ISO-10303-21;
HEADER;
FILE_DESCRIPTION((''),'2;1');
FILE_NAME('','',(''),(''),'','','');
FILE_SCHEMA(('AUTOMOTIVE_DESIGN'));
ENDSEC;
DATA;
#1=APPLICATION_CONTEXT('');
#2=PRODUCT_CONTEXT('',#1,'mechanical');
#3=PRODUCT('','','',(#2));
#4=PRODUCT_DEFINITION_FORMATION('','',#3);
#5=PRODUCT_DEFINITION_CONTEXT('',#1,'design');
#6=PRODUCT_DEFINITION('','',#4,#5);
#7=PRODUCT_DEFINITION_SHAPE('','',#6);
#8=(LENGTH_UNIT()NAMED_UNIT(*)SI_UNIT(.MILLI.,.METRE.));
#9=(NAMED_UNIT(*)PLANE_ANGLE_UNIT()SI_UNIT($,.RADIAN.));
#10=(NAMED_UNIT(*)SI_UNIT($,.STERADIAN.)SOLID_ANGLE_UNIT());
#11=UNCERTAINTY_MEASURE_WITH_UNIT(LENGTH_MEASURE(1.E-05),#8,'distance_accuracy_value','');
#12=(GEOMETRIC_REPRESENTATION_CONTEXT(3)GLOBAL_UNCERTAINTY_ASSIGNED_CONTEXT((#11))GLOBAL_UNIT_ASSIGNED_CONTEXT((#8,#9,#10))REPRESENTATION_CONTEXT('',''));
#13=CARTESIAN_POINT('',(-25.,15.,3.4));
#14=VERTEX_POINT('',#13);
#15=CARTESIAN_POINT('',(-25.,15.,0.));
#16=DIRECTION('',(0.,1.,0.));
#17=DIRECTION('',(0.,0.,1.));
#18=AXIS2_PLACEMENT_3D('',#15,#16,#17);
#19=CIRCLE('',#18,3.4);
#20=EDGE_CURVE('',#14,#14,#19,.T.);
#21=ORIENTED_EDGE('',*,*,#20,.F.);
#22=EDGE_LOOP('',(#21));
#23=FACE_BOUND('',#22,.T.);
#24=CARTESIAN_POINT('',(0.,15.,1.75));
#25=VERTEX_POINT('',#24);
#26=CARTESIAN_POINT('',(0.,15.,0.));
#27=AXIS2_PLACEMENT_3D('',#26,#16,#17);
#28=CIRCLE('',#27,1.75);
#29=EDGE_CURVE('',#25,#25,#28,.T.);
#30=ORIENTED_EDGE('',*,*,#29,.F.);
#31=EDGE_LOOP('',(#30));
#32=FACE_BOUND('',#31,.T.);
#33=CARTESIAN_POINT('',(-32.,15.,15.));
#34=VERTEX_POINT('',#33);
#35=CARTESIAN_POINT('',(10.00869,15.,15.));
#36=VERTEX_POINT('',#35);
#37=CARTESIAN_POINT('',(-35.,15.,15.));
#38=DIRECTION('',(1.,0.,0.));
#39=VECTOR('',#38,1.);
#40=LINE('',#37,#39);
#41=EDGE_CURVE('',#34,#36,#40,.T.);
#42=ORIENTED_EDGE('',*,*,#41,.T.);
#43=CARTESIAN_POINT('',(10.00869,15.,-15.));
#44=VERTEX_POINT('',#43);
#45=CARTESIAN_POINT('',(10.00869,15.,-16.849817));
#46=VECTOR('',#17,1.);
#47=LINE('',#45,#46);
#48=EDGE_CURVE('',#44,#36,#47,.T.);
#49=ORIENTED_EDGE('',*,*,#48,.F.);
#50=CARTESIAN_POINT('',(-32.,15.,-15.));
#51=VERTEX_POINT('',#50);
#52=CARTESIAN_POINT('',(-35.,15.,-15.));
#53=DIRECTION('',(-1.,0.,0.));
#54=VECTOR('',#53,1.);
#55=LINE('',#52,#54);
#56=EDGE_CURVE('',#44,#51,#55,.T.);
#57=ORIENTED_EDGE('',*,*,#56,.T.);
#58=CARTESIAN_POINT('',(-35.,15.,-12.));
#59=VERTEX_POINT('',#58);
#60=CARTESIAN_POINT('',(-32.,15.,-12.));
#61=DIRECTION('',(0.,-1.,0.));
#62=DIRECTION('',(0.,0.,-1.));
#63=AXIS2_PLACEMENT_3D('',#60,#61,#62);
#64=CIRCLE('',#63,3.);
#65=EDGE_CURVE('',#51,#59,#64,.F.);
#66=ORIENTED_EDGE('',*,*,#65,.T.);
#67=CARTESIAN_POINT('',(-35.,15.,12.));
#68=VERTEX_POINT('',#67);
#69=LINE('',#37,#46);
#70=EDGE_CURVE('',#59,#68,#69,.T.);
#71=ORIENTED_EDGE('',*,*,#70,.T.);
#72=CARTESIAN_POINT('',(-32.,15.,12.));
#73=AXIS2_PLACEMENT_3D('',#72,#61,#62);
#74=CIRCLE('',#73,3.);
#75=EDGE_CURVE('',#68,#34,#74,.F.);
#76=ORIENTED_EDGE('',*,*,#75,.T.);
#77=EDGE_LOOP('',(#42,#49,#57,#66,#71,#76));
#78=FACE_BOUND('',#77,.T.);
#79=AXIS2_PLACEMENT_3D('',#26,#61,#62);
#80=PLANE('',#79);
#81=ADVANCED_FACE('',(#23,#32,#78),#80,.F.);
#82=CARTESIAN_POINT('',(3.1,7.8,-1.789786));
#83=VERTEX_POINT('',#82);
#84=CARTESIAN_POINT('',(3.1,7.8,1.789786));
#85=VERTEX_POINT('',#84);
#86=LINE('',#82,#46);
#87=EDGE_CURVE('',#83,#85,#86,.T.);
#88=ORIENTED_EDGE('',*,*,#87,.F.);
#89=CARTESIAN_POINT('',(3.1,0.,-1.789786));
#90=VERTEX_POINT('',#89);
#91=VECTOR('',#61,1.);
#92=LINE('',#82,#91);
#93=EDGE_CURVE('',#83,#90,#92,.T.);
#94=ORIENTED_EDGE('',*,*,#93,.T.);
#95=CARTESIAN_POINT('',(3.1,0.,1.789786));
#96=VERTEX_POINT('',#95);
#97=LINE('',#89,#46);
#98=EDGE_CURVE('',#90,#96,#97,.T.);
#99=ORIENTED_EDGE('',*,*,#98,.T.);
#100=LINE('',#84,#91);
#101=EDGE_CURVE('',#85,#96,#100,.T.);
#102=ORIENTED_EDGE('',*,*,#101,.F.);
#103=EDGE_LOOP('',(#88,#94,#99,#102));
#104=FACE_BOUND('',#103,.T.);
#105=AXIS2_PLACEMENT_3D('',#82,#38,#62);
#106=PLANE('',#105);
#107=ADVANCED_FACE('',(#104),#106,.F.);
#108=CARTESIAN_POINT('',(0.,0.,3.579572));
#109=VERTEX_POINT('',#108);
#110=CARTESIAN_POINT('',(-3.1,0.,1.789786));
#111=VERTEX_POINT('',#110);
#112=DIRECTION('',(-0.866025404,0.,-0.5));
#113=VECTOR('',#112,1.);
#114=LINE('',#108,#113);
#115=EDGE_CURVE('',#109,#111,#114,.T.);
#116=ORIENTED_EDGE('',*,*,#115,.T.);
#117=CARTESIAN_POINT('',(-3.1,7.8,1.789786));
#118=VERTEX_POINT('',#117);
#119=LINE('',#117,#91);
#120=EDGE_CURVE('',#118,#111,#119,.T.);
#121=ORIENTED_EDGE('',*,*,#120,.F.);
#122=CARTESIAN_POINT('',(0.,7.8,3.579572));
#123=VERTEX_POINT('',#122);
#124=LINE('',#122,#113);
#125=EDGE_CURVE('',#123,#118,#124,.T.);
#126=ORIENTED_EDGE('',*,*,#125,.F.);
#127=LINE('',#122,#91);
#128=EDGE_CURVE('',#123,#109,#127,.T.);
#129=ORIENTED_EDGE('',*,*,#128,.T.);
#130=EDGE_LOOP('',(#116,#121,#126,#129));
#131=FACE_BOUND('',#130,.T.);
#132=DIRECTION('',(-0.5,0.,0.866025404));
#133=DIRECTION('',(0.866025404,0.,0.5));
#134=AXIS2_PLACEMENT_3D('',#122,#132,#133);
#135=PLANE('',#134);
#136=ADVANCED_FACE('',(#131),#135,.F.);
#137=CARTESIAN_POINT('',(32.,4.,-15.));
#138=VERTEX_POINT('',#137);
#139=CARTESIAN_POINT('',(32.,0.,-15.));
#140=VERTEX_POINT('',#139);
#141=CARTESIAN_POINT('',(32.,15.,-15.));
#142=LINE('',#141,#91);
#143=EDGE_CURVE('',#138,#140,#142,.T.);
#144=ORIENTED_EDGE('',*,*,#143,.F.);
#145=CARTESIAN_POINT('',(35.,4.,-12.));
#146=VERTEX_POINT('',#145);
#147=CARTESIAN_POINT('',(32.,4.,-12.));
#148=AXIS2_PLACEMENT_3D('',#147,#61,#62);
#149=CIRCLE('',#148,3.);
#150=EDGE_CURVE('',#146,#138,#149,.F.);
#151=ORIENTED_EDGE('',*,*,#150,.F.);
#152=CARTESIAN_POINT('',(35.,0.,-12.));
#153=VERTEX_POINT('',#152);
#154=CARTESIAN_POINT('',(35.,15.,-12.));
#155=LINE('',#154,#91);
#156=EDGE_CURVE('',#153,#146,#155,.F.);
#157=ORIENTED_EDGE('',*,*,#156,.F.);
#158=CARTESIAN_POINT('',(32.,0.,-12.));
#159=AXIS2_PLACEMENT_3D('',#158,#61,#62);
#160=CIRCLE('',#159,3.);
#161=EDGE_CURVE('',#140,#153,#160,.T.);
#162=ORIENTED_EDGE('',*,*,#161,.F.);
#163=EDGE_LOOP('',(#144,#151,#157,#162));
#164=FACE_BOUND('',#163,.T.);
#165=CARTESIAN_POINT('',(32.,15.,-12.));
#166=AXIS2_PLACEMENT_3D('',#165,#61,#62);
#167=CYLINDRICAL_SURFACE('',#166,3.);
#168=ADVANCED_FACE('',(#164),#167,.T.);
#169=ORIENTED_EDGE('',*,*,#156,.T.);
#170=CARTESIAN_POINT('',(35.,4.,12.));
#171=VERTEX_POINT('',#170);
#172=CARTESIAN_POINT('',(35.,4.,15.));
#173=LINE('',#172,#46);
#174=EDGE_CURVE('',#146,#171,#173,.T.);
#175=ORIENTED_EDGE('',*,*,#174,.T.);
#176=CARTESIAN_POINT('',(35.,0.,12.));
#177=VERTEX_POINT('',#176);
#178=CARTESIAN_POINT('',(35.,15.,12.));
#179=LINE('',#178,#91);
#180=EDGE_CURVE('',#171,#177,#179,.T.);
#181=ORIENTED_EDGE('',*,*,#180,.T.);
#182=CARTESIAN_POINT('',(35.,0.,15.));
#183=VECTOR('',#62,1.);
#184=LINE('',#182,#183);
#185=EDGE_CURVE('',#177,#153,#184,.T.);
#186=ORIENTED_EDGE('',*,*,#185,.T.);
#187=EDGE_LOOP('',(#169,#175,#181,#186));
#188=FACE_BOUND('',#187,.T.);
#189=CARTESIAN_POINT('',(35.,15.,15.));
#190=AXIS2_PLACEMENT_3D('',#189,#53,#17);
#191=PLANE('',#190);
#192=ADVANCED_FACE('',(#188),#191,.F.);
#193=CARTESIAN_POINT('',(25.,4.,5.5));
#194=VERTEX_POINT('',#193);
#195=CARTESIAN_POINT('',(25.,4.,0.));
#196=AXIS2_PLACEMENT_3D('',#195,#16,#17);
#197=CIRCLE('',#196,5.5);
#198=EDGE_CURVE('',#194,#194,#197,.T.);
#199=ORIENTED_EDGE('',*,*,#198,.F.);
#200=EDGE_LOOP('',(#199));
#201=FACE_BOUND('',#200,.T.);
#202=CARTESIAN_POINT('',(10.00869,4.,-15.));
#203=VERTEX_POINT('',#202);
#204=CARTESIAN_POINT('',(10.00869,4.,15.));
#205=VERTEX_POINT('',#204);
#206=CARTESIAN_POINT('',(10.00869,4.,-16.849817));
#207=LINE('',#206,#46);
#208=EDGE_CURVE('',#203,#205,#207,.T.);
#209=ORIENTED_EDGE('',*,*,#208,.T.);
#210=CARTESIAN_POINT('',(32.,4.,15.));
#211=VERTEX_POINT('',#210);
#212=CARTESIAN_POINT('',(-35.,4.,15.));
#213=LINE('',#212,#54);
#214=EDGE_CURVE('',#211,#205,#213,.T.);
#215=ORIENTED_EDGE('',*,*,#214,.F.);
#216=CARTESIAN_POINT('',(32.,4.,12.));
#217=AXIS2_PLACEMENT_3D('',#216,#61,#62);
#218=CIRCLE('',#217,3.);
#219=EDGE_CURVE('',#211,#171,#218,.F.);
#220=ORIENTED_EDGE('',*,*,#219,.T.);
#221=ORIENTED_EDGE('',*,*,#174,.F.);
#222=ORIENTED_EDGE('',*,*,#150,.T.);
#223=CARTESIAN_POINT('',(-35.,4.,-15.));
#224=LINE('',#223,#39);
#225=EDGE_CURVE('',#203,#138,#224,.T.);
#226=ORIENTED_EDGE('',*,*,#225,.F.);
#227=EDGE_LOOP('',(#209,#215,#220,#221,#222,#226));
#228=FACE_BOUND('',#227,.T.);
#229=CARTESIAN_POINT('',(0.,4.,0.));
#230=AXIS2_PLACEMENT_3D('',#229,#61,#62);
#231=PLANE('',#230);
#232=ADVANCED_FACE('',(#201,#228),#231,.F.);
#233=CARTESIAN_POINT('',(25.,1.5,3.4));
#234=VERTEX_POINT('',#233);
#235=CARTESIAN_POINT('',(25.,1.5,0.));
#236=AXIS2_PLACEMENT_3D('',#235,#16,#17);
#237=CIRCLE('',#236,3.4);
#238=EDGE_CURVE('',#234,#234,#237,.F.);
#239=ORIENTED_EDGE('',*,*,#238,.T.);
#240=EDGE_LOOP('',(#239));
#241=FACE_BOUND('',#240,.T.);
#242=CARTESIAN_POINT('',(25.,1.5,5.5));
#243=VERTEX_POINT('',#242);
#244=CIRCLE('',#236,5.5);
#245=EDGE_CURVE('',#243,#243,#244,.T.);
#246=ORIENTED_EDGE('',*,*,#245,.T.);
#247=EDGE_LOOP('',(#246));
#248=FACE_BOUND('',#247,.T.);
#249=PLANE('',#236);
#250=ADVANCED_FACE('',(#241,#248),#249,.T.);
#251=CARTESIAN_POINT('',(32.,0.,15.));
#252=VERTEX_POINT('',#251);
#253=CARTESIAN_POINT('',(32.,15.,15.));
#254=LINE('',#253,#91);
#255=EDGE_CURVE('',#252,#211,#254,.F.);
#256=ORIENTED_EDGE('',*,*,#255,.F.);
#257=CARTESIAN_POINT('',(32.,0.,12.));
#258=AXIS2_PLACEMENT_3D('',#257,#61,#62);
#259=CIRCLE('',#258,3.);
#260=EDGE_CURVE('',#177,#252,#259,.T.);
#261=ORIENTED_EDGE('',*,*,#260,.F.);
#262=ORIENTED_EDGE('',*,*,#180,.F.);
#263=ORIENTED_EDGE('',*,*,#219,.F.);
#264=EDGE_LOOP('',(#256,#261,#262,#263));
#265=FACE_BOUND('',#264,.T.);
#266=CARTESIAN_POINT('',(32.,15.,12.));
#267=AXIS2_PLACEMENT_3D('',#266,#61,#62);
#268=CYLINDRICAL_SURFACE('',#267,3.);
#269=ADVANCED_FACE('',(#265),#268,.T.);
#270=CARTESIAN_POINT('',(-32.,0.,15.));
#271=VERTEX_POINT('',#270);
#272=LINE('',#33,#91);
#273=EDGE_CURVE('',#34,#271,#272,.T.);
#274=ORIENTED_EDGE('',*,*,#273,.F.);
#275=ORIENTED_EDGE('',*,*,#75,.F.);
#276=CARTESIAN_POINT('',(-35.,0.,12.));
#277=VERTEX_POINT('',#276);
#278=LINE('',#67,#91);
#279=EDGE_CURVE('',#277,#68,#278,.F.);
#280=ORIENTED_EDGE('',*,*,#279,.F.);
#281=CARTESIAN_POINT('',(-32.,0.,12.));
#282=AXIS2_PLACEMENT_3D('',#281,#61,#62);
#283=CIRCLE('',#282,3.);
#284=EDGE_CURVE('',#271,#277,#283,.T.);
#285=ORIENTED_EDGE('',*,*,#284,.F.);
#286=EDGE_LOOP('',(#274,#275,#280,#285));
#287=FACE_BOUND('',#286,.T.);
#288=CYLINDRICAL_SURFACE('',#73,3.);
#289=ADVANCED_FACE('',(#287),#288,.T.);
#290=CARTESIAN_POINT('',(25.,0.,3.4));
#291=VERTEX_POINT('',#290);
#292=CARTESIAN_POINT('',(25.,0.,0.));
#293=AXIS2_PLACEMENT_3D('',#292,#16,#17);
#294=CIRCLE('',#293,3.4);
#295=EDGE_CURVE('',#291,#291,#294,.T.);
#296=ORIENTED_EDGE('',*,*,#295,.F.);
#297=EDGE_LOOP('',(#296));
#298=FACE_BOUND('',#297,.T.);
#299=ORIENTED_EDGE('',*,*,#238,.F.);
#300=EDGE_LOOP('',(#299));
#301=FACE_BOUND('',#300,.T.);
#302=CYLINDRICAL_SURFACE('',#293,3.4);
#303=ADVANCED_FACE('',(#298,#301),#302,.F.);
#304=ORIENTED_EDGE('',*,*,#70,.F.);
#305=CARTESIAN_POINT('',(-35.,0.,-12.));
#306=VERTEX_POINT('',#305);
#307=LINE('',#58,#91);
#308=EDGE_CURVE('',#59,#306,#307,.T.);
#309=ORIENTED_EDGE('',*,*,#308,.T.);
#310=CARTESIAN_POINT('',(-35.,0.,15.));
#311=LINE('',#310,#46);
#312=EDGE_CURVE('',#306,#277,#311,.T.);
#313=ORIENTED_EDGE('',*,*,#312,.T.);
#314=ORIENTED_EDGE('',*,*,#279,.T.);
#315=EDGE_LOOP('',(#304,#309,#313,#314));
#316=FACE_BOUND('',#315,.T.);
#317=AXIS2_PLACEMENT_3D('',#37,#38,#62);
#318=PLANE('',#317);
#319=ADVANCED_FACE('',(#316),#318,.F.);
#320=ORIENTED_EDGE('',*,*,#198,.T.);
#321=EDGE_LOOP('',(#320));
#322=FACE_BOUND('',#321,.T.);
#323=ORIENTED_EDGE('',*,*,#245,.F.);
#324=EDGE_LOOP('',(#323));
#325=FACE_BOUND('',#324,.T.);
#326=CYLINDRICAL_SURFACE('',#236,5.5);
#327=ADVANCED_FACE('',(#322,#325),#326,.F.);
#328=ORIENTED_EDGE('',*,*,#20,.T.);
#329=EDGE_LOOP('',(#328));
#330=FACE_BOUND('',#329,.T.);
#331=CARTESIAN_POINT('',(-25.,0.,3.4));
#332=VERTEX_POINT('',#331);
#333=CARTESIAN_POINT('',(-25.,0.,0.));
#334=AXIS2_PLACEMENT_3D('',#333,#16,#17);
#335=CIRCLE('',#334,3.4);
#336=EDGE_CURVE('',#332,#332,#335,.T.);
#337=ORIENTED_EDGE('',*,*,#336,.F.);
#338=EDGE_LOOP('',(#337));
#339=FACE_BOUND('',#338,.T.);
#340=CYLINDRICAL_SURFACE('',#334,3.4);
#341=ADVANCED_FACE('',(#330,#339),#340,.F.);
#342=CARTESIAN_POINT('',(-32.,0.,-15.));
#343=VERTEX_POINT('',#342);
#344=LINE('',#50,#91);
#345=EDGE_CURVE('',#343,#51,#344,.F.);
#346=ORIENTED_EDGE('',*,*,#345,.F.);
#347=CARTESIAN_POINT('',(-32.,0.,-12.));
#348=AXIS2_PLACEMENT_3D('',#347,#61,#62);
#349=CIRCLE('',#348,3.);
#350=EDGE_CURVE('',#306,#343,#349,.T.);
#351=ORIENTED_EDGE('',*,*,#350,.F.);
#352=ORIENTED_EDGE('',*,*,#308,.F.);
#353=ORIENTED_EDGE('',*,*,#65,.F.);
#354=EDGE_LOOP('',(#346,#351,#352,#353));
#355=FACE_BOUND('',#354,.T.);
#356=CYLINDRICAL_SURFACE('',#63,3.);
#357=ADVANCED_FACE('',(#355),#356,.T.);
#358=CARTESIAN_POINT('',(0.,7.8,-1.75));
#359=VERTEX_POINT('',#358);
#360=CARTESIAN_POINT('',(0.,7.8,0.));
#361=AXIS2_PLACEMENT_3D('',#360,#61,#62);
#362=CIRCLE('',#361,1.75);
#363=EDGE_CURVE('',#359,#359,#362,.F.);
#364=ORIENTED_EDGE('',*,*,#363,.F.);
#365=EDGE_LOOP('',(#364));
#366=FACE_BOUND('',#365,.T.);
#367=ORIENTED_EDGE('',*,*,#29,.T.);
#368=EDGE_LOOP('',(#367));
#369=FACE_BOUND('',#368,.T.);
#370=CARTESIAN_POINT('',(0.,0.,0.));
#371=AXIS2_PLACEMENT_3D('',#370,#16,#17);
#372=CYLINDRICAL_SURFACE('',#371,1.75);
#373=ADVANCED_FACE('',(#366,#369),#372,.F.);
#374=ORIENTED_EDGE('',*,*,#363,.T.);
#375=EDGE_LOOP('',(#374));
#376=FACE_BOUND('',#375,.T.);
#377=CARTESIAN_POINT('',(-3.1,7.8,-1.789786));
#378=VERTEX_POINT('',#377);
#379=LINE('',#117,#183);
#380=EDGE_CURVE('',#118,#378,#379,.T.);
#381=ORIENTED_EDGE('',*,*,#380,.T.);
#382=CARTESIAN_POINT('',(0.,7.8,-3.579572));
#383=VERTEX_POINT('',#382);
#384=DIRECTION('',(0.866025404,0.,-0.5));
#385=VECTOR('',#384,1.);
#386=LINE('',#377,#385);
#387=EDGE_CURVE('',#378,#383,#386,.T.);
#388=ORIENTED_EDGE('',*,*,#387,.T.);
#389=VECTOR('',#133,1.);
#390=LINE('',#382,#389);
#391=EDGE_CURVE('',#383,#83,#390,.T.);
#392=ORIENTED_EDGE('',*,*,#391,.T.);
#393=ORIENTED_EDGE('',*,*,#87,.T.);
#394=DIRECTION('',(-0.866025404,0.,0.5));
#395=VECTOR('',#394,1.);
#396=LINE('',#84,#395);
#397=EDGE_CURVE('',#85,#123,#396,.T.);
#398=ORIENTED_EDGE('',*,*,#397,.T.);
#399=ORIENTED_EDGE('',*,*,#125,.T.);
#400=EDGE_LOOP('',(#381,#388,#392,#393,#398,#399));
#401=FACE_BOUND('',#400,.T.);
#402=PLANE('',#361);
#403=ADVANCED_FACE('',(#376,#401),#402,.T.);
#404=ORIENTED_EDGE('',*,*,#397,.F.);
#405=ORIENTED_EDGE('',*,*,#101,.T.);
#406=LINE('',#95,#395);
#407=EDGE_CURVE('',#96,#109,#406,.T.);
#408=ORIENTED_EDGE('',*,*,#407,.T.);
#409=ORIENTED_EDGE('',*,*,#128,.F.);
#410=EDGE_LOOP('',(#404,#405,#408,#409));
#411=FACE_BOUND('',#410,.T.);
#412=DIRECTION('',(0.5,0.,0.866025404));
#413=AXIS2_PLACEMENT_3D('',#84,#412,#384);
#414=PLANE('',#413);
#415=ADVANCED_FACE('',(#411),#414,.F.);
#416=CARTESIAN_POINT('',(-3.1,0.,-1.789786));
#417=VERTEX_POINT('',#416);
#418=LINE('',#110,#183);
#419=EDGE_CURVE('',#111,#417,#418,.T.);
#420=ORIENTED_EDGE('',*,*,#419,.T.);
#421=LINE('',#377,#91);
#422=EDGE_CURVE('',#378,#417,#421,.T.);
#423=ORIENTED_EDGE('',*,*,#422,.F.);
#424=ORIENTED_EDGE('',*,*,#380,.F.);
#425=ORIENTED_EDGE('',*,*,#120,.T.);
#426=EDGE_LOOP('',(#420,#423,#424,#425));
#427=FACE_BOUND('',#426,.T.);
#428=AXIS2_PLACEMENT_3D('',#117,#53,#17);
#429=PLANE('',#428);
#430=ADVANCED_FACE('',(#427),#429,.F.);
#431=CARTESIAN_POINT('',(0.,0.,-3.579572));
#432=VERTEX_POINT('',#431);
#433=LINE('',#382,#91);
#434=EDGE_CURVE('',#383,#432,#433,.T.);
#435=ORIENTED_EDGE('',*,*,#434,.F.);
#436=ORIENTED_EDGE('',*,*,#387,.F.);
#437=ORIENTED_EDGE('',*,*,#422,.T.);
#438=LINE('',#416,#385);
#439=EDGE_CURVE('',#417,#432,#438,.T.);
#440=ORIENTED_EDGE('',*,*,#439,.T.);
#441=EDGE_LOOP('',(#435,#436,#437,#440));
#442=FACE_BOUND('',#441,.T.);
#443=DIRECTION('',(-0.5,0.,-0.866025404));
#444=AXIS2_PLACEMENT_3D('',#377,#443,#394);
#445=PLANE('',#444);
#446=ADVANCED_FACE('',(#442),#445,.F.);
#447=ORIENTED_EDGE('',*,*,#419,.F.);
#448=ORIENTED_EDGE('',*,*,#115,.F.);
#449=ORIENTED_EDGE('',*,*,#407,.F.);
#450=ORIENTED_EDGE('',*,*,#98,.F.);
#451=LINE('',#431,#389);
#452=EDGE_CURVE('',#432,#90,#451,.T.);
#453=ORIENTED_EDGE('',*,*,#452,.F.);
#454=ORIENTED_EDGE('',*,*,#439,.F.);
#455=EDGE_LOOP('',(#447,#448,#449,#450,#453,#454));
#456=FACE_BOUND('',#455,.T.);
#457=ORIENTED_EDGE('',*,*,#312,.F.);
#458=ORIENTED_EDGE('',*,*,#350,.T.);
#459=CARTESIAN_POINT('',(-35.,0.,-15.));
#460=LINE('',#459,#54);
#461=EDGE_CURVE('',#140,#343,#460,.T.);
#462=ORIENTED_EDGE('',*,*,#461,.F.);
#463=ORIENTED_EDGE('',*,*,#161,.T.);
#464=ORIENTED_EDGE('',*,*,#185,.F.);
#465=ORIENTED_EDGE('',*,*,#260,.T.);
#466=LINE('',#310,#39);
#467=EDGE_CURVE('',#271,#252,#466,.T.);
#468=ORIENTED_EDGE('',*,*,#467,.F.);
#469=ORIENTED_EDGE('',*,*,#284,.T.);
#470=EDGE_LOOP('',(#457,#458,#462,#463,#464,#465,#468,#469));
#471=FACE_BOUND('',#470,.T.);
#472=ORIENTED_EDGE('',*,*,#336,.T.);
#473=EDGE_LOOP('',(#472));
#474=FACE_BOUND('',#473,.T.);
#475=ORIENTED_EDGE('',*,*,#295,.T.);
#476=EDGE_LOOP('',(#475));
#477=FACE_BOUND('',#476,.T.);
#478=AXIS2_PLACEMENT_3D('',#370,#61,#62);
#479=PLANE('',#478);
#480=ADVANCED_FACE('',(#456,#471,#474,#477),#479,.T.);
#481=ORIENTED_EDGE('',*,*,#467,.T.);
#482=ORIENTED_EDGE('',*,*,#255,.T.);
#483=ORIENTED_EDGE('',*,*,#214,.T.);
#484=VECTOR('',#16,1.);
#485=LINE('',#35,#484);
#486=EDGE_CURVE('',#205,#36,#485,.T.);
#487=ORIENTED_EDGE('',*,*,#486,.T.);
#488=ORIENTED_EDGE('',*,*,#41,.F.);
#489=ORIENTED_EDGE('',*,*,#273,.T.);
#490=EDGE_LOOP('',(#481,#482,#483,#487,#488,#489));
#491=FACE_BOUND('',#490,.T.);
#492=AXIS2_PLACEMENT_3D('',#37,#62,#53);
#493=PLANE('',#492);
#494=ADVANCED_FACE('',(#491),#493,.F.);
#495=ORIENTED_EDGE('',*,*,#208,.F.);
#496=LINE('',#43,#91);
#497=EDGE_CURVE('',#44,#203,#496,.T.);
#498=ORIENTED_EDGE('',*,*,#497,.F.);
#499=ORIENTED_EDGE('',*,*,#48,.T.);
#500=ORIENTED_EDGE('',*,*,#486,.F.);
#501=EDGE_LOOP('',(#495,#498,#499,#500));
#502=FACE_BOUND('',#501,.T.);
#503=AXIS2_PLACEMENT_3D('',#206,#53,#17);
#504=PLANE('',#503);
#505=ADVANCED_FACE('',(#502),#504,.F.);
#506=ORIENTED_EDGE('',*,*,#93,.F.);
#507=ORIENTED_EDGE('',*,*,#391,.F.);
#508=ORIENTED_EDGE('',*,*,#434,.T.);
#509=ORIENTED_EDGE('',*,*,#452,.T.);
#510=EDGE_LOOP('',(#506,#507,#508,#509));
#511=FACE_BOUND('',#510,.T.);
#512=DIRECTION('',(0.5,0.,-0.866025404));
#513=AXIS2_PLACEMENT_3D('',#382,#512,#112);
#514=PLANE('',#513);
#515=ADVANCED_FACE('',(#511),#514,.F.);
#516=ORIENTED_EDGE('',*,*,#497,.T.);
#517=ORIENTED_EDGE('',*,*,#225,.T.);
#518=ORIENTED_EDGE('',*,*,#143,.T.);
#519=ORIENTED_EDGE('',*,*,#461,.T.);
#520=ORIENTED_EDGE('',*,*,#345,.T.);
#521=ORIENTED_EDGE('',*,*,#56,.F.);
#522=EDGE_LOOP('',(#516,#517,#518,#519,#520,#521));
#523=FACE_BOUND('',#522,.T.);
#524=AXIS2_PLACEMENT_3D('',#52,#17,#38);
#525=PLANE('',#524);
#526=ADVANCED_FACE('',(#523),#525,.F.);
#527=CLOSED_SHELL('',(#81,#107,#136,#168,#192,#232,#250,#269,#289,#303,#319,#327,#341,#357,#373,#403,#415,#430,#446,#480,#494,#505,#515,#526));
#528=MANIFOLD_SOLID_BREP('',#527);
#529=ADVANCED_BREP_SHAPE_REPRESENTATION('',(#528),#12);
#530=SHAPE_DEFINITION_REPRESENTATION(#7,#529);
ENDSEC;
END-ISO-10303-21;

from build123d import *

# Parameters (mm, degrees)
SKETCH_1_W          = 70
SKETCH_1_H          = 30
EXTRUDE_1_DEPTH     = 15
FILLET_1_R          = 3
SKETCH_5_R          = 1.75
SKETCH_5_R_2        = 3.4
CUT_EXTRUDE_1_DEPTH = 41.926763859
CUT_EXTRUDE_2_DEPTH = 7.8
SKETCH_7_W          = 30.080931192
SKETCH_7_H          = 35.934517801
CUT_EXTRUDE_4_DEPTH = 11
SKETCH_9_R          = 5.5
CUT_EXTRUDE_5_DEPTH = 2.5


with BuildPart() as part:
    # 草图1 → 凸台-拉伸1 (new body)
    with BuildSketch(Plane(origin=(0, 0, 0), x_dir=(1, 0, 0), z_dir=(0, 1, 0))):
        Rectangle(SKETCH_1_W, SKETCH_1_H)
    extrude(amount=EXTRUDE_1_DEPTH)

    # 圆角1
    fillet_1_edges = [part.edges().sort_by_distance(p)[0] for p in [
        (35, 7.5, 15),
        (-35, 7.5, 15),
        (-35, 7.5, -15),
        (35, 7.5, -15),
    ]]
    fillet(fillet_1_edges, radius=FILLET_1_R)

    # 草图5 → 切除-拉伸1 (cut, through all)
    with BuildSketch(Plane(origin=(0, 15, 0), x_dir=(1, 0, 0), z_dir=(0, 1, 0))):
        with Locations(Location((0, 0, 0), (0, 0, 270))):
            Circle(SKETCH_5_R)
        with Locations(Location((-25, 0, 0), (0, 0, 270))):
            Circle(SKETCH_5_R_2)
        with Locations(Location((25, 0, 0), (0, 0, 270))):
            Circle(SKETCH_5_R_2)
    extrude(amount=-CUT_EXTRUDE_1_DEPTH, mode=Mode.SUBTRACT)

    # 草图6 → 切除-拉伸2 (cut)
    with BuildSketch(Plane.XZ):
        Polygon((0, 3.579571669), (-3.1, 1.789785834), (-3.1, -1.789785834), (0, -3.579571669), (3.1, -1.789785834), (3.1, 1.789785834), align=None)
    extrude(amount=-CUT_EXTRUDE_2_DEPTH, mode=Mode.SUBTRACT)

    # 草图7 → 切除-拉伸4 (cut)
    with BuildSketch(Plane(origin=(0, 15, 0), x_dir=(1, 0, 0), z_dir=(0, 1, 0))):
        with Locations((25.049156013, -1.117442304)):
            Rectangle(SKETCH_7_W, SKETCH_7_H)
    extrude(amount=-CUT_EXTRUDE_4_DEPTH, mode=Mode.SUBTRACT)

    # 草图9 → 切除-拉伸5 (cut)
    with BuildSketch(Plane(origin=(0, 4, 0), x_dir=(1, 0, 0), z_dir=(0, 1, 0))):
        with Locations(Location((25, 0, 0), (0, 0, 270))):
            Circle(SKETCH_9_R)
    extrude(amount=-CUT_EXTRUDE_5_DEPTH, mode=Mode.SUBTRACT)


solid = part.part
